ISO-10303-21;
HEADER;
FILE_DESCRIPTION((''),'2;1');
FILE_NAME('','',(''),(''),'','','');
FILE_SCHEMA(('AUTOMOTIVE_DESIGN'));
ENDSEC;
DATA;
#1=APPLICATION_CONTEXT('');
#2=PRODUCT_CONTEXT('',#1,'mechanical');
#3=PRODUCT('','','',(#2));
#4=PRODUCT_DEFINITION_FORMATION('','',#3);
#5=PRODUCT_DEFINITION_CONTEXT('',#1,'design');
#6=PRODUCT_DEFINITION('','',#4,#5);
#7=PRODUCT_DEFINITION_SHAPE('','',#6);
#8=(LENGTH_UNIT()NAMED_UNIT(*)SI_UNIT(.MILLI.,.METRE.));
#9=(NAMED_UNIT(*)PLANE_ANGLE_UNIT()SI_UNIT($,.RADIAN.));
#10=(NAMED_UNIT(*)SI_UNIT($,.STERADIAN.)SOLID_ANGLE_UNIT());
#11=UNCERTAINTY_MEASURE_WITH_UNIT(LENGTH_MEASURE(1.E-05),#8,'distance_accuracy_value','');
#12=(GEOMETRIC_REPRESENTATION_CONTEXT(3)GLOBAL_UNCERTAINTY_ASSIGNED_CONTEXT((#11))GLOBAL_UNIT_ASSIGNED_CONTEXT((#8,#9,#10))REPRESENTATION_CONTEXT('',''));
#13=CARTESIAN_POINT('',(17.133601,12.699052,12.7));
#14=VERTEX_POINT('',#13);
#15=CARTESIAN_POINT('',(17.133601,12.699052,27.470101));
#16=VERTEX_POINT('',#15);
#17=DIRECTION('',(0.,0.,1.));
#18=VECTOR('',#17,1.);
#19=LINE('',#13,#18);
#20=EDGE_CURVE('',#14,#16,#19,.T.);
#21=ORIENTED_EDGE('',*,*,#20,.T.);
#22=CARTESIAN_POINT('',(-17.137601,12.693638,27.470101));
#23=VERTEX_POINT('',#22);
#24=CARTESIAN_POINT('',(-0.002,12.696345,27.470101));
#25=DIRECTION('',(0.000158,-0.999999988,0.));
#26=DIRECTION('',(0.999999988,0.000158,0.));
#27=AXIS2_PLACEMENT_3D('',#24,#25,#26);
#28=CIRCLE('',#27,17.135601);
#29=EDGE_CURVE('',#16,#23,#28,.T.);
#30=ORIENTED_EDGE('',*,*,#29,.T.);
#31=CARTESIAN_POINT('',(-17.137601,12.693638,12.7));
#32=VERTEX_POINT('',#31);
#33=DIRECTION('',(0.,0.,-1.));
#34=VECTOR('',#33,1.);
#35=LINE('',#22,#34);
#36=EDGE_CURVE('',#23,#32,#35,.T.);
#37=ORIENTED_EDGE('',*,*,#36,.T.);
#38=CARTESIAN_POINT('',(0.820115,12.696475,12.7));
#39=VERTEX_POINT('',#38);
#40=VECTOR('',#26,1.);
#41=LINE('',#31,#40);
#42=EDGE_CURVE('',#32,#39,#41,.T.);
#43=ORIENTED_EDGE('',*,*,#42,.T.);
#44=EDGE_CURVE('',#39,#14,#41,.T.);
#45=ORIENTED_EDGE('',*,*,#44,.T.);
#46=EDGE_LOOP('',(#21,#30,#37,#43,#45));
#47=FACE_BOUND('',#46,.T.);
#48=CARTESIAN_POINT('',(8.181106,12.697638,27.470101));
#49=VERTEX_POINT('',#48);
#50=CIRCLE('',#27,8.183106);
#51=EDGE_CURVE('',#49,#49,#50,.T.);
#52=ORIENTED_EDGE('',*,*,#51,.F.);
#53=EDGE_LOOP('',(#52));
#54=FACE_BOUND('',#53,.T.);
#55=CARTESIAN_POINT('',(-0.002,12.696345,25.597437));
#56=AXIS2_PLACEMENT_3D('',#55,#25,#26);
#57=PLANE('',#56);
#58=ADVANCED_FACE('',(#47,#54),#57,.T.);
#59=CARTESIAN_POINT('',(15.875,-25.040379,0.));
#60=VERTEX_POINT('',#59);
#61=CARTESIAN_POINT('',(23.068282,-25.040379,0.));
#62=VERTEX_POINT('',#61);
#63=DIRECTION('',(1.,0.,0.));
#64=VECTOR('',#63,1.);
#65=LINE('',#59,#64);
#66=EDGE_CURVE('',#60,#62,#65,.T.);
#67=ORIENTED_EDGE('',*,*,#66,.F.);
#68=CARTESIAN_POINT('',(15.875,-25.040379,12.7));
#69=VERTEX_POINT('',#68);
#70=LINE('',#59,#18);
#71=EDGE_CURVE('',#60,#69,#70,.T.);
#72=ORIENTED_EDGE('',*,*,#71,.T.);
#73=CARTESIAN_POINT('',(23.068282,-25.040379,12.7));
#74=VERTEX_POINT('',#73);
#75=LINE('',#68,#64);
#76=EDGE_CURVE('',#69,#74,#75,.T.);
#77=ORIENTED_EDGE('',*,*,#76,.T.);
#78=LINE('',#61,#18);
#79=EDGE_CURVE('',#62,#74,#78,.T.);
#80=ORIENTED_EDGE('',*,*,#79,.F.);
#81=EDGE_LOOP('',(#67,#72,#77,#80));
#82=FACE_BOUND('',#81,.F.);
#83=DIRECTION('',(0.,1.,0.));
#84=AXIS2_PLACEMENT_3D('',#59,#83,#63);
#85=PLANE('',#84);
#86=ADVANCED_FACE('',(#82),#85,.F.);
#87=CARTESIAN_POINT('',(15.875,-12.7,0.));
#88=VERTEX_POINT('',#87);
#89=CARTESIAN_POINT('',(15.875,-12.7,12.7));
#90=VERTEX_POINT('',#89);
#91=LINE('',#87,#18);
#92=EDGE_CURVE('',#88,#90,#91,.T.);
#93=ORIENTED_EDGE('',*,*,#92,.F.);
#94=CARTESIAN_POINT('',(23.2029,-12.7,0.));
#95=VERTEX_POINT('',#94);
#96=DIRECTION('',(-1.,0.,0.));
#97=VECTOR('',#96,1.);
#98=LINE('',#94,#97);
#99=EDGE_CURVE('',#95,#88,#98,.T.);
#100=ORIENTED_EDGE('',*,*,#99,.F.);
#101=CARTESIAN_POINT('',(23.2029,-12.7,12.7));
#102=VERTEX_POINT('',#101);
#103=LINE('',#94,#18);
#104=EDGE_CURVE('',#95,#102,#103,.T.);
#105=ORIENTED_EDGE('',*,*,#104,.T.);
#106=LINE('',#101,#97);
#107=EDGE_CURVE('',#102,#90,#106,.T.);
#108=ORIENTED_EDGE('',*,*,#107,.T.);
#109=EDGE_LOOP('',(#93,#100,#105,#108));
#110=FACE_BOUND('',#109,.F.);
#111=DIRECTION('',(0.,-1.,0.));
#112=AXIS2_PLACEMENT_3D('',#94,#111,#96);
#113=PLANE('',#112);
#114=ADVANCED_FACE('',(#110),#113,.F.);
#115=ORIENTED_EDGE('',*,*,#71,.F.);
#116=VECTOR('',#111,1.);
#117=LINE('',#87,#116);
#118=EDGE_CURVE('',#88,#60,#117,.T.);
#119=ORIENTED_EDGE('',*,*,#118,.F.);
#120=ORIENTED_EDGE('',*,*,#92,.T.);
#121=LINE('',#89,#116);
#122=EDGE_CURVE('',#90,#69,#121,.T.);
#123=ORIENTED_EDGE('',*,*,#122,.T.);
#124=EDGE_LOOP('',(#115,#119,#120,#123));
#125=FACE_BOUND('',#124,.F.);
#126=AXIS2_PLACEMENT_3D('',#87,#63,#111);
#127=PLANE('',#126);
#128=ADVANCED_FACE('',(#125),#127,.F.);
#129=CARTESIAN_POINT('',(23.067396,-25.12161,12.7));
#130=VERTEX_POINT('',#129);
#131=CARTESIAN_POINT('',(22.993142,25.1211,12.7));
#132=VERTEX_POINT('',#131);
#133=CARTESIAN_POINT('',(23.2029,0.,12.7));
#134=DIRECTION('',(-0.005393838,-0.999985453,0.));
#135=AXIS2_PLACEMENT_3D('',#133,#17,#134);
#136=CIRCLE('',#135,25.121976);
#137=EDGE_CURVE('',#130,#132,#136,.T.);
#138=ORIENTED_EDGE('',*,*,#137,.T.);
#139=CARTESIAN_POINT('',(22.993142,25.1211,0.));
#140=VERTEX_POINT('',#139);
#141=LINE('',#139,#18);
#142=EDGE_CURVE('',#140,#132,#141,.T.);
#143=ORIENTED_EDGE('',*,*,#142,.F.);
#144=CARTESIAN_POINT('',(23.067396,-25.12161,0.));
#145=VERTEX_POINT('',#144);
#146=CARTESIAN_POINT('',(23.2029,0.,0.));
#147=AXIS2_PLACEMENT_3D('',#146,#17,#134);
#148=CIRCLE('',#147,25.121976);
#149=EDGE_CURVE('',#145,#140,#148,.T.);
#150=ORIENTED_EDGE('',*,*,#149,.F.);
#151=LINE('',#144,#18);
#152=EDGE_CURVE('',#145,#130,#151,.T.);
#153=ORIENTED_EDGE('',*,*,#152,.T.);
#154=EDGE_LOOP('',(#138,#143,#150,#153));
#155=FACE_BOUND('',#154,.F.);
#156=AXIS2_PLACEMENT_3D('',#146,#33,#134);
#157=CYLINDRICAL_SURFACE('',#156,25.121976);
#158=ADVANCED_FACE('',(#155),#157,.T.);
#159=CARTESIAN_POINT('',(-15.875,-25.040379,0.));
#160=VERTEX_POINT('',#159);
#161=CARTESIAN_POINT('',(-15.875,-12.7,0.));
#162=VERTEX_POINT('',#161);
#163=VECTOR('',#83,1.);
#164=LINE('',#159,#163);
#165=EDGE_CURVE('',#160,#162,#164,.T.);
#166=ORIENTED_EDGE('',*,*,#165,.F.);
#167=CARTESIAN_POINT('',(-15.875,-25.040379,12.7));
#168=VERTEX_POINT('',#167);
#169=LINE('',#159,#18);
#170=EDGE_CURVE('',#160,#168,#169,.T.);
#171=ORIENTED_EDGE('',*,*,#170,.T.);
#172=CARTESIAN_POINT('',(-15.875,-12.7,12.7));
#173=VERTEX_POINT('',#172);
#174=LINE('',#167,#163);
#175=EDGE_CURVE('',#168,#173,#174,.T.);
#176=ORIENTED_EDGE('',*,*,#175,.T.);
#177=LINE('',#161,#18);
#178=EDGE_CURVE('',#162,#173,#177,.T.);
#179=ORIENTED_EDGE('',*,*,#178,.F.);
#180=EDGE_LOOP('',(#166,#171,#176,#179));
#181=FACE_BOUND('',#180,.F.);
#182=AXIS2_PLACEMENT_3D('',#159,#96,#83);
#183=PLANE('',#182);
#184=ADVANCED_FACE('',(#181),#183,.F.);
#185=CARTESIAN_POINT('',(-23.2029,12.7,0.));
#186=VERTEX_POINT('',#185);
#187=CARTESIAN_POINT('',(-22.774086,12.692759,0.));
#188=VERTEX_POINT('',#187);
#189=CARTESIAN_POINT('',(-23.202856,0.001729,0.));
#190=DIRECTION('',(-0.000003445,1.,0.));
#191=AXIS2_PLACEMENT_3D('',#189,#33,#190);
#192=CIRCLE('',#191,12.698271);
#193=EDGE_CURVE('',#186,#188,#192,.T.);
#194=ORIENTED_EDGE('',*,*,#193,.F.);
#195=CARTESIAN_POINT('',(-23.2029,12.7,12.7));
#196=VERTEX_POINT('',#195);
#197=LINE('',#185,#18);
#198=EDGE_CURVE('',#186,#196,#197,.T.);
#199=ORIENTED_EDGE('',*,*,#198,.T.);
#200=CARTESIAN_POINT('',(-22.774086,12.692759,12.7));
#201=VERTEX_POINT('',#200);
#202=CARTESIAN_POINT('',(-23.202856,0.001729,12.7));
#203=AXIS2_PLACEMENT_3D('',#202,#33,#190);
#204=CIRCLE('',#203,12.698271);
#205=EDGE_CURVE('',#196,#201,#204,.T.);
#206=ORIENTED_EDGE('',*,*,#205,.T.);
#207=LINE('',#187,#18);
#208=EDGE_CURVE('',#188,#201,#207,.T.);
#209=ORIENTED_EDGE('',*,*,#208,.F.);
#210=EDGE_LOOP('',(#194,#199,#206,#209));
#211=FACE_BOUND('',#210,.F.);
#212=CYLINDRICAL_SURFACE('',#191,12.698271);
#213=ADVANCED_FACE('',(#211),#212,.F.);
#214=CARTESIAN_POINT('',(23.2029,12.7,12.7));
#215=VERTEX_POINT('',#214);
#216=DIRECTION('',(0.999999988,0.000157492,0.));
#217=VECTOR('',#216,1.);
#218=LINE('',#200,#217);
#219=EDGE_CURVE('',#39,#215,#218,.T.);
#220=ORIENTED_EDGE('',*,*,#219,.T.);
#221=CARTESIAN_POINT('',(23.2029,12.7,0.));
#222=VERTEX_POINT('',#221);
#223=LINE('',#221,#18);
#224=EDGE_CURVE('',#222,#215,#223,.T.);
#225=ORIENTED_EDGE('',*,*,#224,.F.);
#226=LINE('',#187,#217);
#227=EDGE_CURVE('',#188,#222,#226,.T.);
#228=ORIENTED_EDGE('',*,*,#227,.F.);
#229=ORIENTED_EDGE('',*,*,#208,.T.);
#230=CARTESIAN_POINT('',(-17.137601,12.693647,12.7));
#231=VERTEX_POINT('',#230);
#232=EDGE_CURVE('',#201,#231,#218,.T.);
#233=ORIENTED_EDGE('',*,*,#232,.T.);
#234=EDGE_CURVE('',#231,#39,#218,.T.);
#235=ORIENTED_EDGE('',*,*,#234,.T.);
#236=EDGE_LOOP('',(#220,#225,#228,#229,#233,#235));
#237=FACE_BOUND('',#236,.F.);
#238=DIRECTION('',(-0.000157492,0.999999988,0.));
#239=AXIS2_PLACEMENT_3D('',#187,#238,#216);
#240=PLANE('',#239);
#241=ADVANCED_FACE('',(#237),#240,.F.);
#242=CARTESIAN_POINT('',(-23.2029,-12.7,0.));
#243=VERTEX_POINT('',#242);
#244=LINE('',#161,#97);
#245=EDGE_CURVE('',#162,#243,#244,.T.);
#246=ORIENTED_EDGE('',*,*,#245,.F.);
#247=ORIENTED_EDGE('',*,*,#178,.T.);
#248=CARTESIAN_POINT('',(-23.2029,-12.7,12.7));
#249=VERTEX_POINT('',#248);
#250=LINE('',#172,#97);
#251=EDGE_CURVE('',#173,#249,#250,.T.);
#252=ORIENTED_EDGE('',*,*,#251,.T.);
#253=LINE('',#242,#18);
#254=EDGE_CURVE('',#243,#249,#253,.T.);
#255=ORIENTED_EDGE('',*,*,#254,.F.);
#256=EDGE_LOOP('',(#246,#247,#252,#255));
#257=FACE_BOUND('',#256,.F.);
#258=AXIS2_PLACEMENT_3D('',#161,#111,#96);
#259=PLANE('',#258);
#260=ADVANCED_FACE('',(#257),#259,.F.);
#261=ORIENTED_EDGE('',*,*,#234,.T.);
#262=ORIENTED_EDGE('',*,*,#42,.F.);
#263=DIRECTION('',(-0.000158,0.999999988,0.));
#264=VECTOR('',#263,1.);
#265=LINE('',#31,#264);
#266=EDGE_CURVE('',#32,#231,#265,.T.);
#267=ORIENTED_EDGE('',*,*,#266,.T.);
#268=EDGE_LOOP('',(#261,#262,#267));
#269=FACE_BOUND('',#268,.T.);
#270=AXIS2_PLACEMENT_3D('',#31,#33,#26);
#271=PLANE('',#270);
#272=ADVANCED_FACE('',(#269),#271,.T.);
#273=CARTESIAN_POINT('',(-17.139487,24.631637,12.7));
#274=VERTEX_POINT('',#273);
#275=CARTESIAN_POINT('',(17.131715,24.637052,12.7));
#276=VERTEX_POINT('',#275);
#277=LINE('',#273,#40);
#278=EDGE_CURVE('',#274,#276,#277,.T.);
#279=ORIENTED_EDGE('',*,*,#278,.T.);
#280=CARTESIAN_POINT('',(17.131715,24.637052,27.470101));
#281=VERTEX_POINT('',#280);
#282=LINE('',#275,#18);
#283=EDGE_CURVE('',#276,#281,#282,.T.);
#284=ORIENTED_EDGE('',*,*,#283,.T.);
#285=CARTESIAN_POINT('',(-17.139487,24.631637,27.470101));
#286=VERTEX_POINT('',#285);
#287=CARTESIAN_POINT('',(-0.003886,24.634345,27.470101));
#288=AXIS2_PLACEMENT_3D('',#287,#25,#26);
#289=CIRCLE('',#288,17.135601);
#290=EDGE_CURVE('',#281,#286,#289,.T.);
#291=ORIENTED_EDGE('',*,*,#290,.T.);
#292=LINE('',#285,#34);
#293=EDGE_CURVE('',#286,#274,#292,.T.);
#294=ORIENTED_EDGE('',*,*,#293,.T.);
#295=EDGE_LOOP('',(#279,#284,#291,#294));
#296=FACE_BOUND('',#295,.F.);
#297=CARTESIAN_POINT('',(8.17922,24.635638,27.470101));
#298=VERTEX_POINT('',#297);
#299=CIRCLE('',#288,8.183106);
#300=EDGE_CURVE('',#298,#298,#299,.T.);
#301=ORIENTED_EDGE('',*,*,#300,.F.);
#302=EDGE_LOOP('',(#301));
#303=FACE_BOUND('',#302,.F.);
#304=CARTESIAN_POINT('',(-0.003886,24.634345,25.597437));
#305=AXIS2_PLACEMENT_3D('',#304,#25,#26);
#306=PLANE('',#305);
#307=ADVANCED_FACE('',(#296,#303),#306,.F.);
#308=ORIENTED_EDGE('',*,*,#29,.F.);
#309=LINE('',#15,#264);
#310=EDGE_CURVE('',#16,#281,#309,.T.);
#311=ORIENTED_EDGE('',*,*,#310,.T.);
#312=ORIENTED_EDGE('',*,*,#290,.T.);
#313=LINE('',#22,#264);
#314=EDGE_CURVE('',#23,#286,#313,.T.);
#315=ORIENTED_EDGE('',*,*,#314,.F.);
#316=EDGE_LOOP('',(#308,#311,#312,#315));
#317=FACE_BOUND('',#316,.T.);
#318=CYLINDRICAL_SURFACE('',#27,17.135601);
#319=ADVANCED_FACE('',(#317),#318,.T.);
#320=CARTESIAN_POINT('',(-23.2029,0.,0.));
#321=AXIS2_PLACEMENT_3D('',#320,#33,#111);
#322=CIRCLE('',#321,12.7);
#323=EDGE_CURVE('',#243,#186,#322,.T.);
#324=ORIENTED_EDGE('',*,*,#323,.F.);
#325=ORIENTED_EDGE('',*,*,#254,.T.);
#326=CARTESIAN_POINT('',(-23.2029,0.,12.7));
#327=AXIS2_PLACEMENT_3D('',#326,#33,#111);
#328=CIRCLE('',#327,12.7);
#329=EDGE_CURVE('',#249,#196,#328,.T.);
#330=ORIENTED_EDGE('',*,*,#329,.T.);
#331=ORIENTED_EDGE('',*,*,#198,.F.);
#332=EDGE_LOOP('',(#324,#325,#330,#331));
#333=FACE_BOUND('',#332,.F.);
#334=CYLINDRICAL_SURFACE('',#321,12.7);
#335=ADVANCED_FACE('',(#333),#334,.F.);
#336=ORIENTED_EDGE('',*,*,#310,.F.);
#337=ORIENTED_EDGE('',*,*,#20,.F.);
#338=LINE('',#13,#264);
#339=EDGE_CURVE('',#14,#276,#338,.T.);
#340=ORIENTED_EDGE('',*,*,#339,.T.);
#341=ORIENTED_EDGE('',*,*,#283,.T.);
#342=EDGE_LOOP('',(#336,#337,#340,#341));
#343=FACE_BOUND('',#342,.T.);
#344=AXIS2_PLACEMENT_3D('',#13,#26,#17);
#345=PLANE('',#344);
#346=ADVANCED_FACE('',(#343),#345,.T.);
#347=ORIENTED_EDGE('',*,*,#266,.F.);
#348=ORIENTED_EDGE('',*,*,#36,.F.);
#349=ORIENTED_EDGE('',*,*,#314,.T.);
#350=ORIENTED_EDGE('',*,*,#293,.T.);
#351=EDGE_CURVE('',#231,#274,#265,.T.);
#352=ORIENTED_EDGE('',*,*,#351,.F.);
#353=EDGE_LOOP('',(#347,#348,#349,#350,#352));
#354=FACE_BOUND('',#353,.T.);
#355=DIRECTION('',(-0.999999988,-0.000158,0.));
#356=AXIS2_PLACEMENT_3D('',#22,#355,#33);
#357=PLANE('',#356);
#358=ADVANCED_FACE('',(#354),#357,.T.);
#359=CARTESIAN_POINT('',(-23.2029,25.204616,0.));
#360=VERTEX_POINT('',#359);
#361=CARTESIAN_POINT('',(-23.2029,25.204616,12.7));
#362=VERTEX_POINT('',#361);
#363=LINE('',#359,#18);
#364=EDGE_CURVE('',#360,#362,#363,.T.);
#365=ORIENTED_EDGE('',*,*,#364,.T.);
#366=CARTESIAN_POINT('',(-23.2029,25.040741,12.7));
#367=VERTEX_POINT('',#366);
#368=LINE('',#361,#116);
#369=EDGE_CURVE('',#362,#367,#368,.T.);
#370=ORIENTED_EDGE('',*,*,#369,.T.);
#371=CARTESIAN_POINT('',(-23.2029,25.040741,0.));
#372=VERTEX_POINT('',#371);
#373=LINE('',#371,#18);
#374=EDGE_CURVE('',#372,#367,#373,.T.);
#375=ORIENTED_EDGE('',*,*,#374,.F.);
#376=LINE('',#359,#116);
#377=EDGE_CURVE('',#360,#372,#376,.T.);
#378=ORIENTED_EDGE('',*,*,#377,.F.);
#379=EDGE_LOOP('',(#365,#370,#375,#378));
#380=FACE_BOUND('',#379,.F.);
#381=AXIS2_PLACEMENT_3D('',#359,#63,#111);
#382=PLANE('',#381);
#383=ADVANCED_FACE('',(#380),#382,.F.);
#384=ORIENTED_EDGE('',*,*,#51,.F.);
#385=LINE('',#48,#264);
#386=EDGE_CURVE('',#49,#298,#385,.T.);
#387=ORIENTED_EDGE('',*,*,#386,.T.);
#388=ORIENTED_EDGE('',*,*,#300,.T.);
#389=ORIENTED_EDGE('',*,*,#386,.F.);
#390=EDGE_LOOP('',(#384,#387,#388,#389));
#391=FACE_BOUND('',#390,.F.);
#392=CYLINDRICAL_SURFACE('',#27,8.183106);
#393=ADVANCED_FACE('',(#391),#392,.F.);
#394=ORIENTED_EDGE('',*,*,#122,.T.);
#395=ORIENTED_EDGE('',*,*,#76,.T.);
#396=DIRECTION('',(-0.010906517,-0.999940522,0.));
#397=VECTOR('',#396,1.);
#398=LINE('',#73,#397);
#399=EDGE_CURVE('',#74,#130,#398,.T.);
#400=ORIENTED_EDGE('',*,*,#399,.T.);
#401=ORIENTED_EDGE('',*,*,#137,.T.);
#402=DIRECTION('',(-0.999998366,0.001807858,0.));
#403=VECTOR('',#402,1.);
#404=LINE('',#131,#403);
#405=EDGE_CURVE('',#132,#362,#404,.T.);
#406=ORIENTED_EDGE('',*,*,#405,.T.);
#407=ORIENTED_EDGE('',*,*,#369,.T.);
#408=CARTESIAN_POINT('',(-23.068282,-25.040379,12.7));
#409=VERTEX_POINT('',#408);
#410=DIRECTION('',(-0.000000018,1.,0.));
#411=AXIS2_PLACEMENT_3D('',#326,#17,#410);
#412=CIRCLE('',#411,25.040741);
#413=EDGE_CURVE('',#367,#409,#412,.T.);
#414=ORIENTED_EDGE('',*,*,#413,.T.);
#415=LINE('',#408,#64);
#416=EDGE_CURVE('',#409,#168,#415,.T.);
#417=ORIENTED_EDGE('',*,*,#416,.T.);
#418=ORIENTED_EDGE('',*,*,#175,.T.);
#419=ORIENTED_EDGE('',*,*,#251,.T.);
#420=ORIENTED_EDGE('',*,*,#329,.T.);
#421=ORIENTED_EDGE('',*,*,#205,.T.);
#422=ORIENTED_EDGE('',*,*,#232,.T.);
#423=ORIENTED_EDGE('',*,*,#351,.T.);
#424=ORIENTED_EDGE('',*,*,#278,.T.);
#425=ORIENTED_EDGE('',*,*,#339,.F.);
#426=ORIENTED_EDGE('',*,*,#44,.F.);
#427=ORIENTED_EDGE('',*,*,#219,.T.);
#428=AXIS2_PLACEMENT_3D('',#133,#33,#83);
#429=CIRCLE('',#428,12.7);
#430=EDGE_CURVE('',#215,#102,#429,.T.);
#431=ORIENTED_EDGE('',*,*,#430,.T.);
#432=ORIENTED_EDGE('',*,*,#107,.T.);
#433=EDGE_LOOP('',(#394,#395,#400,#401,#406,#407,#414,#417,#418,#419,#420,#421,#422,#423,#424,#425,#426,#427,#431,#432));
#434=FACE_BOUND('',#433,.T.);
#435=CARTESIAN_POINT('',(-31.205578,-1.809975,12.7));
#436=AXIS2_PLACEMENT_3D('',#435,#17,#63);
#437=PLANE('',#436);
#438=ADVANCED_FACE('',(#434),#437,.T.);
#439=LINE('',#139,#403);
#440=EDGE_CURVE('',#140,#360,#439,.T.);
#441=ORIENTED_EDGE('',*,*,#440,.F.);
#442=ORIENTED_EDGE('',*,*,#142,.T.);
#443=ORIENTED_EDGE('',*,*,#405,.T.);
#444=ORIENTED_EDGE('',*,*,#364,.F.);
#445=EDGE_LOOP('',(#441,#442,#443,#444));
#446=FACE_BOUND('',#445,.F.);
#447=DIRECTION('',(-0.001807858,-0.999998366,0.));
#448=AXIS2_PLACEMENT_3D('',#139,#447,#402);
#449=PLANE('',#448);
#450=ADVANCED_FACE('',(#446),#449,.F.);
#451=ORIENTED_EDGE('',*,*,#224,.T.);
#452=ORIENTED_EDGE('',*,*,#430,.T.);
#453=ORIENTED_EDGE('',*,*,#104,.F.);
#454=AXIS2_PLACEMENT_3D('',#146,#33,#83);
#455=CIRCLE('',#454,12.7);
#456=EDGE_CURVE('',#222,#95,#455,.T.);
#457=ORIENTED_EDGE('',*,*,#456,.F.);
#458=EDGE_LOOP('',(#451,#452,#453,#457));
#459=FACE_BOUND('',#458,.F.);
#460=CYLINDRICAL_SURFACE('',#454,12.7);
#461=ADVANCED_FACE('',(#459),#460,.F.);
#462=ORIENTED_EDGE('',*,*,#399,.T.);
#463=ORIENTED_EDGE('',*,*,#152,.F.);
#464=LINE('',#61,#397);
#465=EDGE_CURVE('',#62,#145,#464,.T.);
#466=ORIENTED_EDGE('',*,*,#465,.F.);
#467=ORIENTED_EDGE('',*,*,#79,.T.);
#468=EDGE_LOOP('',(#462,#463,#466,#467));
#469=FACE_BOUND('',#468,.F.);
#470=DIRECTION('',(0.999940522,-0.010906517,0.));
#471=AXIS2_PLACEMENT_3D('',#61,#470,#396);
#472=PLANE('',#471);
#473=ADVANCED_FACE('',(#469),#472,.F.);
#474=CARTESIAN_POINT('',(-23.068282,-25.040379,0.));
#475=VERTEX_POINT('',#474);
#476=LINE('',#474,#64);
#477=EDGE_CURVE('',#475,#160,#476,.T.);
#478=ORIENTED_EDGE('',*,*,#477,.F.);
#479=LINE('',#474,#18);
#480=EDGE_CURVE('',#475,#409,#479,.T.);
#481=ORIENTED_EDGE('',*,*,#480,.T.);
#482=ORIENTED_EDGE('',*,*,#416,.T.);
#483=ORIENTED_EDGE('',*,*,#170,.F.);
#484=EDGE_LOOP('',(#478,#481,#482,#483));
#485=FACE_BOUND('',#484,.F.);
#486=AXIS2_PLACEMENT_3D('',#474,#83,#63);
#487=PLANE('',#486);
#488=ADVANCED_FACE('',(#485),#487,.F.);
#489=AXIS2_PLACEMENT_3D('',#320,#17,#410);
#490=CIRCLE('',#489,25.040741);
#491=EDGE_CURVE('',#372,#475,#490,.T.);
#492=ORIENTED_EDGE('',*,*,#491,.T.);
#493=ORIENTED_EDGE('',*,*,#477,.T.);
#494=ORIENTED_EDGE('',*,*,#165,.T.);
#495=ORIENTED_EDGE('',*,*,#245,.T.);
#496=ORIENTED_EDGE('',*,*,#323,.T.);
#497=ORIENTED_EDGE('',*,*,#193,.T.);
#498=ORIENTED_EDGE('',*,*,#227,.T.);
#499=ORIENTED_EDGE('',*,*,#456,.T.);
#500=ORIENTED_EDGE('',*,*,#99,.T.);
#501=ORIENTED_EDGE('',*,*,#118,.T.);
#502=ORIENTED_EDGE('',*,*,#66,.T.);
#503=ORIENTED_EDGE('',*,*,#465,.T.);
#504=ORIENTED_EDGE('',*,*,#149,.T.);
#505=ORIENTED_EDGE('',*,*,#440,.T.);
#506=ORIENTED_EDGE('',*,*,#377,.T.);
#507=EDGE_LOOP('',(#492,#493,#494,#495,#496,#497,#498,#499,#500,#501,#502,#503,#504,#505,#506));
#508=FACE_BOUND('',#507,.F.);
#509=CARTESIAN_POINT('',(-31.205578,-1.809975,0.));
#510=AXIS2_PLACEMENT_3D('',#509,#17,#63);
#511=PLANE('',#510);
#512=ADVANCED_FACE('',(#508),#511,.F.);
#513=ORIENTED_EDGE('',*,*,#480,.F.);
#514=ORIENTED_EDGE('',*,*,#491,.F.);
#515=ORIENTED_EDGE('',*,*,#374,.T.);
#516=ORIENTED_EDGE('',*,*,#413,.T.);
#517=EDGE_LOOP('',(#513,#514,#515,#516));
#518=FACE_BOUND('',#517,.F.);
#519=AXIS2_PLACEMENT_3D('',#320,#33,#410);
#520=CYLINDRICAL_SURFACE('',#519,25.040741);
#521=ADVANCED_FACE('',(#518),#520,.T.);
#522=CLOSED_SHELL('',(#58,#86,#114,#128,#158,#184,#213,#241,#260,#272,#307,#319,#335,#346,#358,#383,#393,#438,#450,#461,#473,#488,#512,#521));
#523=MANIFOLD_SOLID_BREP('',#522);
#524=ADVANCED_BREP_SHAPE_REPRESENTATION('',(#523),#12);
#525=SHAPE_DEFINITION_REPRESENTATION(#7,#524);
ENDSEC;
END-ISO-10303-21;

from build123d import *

# Parameters (mm, degrees)
F1_DEPTH = 12.7
F2_R     = 8.183106
F3_DEPTH = 11.938


with BuildPart() as f1:
    # F0 (on Top) → F1 (new body)
    with BuildSketch(Plane.XY):
        with BuildLine():
            ThreePointArc((-23.2029, -12.7), (-35.9029, 0), (-23.2029, 12.7))
            Line((-23.2029, 12.7), (-23.2029, 25.040741))
            ThreePointArc((-23.2029, 25.040741), (-48.24355, -0.067309), (-23.068282, -25.040379))
            Line((-23.068282, -25.040379), (-15.875, -25.040379))
            Line((-15.875, -25.040379), (-15.875, -12.7))
            Line((-15.875, -12.7), (-23.2029, -12.7))
        make_face()
        with BuildLine():
            Line((-22.774086, 12.692759), (23.2029, 12.7))
            Line((23.2029, 12.7), (22.993142, 25.1211))
            Line((22.993142, 25.1211), (-23.2029, 25.204616))
            Line((-23.2029, 25.204616), (-23.2029, 25.040741))
            Line((-23.2029, 25.040741), (-23.2029, 12.7))
            ThreePointArc((-23.2029, 12.7), (-22.988463, 12.69819), (-22.774086, 12.692759))
        make_face()
        with BuildLine():
            ThreePointArc((23.2029, 12.7), (35.9029, 0), (23.2029, -12.7))
            Line((23.2029, -12.7), (15.875, -12.7))
            Line((15.875, -12.7), (15.875, -25.040379))
            Line((15.875, -25.040379), (23.068282, -25.040379))
            Line((23.068282, -25.040379), (23.067396, -25.12161))
            ThreePointArc((23.067396, -25.12161), (48.324848, 0.037128), (22.993142, 25.1211))
            Line((22.993142, 25.1211), (23.2029, 12.7))
        make_face()
    extrude(amount=F1_DEPTH)

    # F2 (on face) → F3 (join)
    with BuildSketch(Plane(origin=(-0.002, 12.696345, 0), x_dir=(1, 0.000158, 0), z_dir=(0.000158, -1, 0))):
        with BuildLine():
            Line((17.135601, 12.7), (17.135601, 27.470101))
            ThreePointArc((17.135601, 27.470101), (0, 44.605702), (-17.135601, 27.470101))
            Line((-17.135601, 27.470101), (-17.135601, 12.7))
            Line((-17.135601, 12.7), (17.135601, 12.7))
        make_face()
        with Locations((0, 27.470101)):
            Circle(F2_R, mode=Mode.SUBTRACT)
    extrude(amount=-F3_DEPTH)


solid = f1.part
